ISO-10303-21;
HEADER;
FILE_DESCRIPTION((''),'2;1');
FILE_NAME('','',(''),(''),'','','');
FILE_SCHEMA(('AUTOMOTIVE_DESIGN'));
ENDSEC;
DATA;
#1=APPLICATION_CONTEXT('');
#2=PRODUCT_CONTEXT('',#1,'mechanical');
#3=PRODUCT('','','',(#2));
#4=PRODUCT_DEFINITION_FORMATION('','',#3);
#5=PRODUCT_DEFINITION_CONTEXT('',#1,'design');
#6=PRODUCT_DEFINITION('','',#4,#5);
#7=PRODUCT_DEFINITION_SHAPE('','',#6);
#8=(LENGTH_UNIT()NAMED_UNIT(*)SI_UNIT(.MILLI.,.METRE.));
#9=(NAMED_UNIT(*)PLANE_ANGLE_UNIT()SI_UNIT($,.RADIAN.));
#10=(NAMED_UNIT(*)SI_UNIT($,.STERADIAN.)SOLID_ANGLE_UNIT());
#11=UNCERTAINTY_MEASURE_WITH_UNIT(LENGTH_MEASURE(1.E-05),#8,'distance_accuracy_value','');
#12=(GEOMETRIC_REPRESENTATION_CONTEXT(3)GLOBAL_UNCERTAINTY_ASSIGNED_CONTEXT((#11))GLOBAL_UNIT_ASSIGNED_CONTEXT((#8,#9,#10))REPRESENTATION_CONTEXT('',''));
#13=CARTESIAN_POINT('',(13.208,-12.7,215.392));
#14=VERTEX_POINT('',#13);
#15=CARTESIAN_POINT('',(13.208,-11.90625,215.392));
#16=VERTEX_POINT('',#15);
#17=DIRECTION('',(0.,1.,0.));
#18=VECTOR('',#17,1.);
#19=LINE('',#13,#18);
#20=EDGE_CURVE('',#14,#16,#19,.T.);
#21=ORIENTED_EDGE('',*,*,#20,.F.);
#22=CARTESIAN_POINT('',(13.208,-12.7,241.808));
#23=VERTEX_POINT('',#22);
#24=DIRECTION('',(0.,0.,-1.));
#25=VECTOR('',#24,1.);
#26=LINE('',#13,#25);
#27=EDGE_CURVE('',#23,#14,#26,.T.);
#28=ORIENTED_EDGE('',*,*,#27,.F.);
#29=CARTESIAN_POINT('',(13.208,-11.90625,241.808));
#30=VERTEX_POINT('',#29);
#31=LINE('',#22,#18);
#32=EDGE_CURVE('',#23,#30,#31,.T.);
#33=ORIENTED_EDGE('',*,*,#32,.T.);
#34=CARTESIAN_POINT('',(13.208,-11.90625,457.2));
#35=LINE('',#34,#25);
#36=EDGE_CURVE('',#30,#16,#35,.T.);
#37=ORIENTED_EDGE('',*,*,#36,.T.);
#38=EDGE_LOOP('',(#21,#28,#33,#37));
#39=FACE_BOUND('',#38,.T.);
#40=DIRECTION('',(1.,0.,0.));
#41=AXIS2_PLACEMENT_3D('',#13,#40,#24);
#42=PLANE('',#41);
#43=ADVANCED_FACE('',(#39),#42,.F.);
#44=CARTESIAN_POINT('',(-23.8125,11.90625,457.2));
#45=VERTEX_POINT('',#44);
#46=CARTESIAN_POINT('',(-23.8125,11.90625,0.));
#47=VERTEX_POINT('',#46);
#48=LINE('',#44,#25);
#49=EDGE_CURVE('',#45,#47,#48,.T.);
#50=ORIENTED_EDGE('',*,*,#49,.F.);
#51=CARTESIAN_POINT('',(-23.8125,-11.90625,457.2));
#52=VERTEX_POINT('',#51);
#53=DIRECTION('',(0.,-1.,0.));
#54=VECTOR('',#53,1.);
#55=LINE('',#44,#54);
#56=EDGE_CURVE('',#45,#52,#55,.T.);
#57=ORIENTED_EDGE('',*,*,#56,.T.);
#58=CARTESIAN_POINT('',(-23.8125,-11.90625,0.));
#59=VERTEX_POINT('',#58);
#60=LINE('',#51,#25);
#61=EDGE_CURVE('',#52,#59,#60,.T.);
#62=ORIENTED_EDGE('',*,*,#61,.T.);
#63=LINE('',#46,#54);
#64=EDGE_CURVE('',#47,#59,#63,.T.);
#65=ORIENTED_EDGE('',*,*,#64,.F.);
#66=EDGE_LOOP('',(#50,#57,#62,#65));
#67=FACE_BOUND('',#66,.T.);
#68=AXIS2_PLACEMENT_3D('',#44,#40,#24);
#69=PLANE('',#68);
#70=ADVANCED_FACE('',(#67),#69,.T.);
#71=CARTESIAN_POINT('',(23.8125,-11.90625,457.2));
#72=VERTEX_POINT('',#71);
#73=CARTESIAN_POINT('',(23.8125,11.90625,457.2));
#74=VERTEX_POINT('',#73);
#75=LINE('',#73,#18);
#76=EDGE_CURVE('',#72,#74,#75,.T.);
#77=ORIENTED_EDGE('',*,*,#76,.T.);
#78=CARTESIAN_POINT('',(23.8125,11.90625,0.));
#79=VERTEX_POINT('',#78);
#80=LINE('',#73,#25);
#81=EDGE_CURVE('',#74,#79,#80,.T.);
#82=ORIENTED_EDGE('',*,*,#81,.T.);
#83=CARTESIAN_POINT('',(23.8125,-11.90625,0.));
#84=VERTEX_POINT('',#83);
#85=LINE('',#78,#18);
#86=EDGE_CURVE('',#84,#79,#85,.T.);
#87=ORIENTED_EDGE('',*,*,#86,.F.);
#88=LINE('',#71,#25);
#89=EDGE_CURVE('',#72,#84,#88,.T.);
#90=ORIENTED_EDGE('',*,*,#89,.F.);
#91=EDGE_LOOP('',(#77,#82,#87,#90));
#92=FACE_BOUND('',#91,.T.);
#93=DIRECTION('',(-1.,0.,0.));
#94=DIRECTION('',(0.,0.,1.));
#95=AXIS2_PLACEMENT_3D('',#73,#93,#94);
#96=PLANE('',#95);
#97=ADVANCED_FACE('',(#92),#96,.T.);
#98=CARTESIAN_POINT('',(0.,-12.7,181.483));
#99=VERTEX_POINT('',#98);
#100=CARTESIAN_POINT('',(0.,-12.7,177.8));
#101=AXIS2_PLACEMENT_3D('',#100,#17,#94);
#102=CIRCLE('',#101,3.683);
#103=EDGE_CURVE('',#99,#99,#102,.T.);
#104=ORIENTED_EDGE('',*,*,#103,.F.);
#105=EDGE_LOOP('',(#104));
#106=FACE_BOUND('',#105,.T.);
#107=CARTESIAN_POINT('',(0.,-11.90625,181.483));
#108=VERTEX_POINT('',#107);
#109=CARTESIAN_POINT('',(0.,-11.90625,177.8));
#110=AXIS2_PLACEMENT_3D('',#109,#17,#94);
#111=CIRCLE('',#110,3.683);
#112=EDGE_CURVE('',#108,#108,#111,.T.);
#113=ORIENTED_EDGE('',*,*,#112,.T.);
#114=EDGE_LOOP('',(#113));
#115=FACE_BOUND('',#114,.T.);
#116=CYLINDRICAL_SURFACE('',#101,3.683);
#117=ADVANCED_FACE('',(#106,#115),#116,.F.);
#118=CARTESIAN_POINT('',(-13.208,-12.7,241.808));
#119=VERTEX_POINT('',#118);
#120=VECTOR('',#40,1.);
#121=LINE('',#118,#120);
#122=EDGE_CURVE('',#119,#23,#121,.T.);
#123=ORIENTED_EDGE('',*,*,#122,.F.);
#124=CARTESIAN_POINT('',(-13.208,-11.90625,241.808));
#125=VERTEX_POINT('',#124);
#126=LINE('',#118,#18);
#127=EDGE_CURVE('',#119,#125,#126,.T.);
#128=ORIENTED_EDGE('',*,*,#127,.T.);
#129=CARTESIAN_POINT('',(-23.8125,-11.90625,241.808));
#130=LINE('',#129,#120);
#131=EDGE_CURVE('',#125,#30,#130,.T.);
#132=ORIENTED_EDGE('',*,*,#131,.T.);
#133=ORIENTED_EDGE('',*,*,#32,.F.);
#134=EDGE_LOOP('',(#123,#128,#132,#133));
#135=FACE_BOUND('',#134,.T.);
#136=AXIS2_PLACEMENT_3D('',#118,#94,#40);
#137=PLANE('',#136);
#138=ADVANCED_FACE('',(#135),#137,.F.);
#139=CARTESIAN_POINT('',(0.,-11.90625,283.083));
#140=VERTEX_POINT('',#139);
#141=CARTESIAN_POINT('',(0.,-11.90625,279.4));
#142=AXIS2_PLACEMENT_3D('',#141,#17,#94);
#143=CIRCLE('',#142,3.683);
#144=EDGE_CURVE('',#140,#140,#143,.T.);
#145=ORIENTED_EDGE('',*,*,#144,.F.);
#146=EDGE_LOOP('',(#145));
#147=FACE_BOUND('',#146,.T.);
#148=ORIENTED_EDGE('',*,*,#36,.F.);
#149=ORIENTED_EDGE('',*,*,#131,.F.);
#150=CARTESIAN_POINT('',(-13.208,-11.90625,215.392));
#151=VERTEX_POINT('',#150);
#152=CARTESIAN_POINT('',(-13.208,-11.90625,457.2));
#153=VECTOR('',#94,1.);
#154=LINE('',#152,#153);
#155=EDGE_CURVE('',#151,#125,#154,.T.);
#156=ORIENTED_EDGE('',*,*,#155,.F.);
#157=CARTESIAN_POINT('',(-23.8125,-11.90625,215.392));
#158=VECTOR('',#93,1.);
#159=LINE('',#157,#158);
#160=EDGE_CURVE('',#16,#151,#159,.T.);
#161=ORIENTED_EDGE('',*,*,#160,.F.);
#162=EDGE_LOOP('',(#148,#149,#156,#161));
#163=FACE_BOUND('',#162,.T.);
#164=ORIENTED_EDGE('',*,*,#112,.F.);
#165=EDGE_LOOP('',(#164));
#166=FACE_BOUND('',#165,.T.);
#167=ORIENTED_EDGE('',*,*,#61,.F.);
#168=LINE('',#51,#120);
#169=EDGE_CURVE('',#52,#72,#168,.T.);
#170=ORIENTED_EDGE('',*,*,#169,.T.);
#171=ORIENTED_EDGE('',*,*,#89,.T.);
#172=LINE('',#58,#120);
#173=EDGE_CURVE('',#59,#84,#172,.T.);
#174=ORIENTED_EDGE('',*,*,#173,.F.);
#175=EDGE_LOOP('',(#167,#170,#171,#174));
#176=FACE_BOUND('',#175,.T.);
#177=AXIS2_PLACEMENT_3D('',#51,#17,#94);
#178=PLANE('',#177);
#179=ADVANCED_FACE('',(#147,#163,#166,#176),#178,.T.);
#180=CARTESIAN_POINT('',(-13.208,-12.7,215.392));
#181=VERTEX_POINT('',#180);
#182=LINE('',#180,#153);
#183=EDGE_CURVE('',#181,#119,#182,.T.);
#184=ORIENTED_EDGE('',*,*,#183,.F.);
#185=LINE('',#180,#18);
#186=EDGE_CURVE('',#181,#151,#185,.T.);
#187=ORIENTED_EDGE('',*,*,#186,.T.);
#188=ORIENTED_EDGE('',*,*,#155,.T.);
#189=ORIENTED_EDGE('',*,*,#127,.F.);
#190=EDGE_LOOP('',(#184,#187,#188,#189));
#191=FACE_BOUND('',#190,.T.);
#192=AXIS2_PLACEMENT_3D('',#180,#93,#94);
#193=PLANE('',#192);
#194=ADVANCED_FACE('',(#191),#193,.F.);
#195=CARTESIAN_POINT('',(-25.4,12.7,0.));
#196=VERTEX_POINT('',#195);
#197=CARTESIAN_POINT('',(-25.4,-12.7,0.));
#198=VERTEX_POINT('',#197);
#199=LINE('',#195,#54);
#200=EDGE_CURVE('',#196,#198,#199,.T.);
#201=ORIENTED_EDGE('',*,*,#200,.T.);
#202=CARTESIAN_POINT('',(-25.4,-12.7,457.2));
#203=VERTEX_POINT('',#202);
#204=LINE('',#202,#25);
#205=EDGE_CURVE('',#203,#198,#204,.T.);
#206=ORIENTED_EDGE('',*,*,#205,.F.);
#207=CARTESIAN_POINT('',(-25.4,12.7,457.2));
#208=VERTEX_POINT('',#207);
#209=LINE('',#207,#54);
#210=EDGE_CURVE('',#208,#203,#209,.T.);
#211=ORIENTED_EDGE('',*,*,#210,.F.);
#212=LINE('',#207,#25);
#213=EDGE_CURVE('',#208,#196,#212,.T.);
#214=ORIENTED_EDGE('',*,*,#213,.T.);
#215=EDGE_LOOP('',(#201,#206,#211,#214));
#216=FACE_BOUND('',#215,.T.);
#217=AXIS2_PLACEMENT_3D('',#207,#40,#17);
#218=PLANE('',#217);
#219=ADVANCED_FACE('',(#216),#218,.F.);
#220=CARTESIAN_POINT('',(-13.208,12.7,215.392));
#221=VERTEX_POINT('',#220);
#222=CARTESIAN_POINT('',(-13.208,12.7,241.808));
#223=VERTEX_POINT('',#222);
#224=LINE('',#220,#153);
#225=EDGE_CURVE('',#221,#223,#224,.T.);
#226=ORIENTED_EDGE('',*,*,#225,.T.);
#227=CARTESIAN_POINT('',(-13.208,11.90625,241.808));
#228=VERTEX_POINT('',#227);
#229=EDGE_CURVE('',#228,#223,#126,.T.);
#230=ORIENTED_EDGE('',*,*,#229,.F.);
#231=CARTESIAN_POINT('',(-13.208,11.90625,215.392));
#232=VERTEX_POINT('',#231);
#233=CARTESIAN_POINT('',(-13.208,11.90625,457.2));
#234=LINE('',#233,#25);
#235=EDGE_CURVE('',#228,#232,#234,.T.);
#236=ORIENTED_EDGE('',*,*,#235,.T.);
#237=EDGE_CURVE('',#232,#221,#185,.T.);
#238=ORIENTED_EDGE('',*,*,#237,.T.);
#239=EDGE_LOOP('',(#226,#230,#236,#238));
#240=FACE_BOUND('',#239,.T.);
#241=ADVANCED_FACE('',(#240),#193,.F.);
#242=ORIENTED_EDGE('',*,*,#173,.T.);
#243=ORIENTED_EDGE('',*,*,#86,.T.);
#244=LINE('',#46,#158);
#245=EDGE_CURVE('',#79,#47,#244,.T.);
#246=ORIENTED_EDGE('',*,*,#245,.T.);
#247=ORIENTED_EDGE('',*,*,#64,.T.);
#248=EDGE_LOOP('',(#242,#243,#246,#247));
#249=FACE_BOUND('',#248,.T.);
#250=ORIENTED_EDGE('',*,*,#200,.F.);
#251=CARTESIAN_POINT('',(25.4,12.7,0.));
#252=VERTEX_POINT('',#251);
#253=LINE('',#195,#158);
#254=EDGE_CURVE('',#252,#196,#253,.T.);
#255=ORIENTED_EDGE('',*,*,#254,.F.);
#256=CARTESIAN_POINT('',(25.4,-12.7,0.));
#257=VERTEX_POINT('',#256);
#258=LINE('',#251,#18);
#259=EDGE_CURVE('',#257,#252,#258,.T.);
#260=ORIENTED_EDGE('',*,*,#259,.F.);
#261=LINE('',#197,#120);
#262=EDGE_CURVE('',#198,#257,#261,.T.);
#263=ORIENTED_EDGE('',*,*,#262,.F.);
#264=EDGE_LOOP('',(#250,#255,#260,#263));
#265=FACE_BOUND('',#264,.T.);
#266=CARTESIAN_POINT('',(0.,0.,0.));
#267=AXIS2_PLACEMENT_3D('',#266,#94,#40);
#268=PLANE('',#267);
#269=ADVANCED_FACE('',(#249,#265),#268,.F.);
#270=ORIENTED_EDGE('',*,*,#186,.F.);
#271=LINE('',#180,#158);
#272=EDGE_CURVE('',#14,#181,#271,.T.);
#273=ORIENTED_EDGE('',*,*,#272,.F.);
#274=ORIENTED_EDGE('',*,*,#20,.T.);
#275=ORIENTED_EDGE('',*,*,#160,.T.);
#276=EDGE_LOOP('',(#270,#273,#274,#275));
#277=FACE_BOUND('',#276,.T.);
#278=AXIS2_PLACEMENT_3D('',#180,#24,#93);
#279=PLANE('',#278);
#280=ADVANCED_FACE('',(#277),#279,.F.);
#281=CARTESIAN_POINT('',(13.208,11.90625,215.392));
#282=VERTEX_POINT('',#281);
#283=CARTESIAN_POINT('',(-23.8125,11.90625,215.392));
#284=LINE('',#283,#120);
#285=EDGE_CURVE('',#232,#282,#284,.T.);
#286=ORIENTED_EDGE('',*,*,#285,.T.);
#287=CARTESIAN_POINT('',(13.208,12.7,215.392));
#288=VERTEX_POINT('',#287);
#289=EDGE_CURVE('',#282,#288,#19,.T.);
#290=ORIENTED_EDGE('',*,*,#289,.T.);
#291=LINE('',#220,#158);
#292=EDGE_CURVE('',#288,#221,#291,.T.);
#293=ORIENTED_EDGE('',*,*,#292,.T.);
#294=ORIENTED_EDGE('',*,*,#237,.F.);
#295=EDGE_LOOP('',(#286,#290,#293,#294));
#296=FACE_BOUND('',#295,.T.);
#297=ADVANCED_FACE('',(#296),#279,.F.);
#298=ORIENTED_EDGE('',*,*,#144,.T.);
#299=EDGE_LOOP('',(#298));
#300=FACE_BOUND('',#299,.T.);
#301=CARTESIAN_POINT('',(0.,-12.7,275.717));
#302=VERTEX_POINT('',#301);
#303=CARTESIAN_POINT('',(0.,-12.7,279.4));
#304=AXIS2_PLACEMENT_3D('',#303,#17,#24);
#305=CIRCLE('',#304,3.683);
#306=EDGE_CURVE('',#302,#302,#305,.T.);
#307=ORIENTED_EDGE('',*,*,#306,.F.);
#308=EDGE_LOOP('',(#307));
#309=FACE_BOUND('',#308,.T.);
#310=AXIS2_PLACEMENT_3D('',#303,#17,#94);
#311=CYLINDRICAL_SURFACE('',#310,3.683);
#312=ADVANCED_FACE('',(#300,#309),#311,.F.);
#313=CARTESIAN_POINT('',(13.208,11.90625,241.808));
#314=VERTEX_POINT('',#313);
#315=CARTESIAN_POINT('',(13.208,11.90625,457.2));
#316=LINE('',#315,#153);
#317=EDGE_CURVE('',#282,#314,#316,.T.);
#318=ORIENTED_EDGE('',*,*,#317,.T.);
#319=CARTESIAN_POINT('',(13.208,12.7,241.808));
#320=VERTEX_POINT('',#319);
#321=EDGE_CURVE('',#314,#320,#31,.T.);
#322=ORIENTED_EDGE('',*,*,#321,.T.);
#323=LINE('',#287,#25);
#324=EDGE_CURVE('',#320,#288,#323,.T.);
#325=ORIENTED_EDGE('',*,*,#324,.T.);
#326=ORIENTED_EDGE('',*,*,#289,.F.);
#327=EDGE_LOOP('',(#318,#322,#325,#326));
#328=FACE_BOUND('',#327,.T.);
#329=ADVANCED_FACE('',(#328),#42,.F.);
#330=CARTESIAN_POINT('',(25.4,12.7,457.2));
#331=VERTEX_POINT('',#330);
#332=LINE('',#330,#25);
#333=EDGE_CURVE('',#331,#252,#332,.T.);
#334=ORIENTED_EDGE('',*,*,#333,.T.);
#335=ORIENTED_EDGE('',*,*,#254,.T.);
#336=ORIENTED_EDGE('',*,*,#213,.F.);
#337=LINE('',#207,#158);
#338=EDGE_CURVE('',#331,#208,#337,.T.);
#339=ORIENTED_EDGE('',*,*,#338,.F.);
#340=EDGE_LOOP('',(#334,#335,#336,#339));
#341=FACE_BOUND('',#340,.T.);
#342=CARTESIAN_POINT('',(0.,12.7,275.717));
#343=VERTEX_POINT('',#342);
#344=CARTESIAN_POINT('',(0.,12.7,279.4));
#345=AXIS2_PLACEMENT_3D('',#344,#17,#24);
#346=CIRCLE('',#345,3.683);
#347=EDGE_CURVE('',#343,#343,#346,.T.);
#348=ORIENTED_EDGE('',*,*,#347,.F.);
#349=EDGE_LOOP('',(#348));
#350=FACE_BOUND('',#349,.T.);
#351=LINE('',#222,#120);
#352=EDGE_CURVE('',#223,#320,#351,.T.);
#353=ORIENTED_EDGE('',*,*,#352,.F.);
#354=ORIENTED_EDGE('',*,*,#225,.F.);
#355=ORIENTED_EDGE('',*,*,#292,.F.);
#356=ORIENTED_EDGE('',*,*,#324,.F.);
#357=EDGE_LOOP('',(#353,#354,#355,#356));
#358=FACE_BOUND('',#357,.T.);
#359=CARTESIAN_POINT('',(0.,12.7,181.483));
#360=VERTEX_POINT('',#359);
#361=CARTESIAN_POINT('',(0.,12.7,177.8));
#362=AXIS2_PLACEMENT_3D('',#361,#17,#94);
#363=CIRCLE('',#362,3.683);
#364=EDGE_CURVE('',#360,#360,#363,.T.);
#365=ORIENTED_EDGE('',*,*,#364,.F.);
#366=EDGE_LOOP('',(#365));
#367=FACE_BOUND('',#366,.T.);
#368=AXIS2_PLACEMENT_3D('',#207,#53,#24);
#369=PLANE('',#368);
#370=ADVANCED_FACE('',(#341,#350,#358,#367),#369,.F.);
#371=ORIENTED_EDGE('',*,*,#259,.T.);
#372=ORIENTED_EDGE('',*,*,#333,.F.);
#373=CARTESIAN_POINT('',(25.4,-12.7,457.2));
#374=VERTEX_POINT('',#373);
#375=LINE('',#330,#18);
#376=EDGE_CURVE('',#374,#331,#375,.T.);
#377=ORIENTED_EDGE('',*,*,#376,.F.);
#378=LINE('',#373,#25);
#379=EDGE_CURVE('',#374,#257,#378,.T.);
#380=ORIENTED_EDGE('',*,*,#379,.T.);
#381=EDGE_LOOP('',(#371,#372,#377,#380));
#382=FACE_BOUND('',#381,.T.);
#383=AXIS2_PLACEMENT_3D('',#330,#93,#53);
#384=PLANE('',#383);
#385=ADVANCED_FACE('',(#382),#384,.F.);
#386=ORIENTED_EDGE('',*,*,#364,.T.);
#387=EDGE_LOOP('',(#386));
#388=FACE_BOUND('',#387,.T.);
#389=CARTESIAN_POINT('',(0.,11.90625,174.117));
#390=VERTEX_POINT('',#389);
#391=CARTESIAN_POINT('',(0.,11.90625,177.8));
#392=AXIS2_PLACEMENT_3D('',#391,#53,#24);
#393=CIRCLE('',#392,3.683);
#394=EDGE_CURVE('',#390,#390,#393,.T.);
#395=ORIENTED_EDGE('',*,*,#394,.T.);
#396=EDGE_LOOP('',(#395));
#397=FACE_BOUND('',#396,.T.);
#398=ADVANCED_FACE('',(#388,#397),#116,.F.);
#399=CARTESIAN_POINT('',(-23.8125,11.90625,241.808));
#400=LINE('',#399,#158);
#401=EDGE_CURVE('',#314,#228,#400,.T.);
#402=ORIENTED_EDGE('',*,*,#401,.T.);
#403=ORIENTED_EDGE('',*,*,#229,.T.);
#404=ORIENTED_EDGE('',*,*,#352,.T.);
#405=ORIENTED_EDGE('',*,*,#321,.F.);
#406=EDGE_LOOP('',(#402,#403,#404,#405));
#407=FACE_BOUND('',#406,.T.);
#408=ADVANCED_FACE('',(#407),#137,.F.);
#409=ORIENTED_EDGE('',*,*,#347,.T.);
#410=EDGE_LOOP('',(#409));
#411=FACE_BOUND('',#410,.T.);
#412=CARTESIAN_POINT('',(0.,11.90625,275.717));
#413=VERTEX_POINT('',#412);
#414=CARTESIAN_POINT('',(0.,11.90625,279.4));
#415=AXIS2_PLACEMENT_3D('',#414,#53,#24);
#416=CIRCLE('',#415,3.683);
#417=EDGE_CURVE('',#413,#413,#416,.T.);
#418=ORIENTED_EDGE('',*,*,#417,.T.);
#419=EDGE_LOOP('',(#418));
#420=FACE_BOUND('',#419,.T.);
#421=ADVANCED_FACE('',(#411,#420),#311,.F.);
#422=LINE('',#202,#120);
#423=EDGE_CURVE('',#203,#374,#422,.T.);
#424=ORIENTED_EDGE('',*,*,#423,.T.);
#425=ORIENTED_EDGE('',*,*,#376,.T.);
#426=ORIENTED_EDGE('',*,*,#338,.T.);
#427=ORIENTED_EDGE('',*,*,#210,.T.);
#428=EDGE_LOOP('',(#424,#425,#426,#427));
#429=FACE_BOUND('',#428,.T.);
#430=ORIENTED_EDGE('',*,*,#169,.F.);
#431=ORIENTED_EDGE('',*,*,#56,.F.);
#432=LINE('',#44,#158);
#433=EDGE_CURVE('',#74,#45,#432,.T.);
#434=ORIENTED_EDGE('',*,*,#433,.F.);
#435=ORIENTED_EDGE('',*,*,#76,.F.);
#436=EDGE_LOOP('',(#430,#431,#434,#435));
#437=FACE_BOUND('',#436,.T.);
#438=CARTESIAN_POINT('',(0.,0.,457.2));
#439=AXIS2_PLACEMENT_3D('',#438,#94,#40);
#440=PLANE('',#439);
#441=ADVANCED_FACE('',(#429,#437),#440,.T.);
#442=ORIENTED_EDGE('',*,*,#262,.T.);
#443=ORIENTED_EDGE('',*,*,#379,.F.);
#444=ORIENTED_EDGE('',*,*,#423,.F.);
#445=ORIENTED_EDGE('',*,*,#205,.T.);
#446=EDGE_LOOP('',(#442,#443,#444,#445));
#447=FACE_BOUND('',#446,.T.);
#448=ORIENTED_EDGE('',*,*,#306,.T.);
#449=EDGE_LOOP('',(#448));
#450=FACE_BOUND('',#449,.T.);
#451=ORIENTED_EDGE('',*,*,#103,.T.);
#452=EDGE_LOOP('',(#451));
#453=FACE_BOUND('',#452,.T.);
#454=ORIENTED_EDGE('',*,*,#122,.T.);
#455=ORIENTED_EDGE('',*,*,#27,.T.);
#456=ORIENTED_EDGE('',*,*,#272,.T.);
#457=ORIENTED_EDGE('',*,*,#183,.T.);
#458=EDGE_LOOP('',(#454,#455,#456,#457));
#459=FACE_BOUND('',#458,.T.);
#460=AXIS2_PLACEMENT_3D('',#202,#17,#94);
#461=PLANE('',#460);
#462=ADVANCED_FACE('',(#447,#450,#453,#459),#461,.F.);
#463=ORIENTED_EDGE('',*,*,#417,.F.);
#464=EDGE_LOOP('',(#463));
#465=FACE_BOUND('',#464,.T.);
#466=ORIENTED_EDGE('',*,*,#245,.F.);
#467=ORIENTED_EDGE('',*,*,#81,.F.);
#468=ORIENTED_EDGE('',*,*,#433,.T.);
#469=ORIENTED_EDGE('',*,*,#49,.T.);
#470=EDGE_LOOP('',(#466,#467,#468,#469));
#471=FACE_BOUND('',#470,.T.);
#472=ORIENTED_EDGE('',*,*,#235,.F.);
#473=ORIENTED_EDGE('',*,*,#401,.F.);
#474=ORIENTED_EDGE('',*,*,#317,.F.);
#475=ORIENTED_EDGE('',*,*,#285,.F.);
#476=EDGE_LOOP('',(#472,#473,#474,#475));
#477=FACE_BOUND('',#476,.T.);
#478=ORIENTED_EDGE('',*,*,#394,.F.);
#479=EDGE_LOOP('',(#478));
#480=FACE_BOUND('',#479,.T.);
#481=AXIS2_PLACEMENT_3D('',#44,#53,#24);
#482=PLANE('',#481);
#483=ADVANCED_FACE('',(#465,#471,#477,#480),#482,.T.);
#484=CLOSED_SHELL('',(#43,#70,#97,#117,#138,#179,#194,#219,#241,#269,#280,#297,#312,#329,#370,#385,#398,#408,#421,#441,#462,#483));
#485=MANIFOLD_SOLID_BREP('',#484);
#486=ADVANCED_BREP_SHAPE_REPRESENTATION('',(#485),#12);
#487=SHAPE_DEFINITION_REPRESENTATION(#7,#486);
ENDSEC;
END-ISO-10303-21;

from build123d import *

# Parameters (mm, degrees)
SKETCH1_W           = 50.8
SKETCH1_H           = 25.4
SKETCH1_W_2         = 47.625
SKETCH1_H_2         = 23.8125
BOSS_EXTRUDE1_DEPTH = 457.2
SKETCH2_R           = 3.683
SKETCH2_W           = 26.416
SKETCH2_H           = 26.416
CUT_EXTRUDE1_DEPTH  = 26.4


with BuildPart() as part:
    # Sketch1 → Boss-Extrude1 (new body)
    with BuildSketch(Plane.XY):
        Rectangle(SKETCH1_W, SKETCH1_H)
        Rectangle(SKETCH1_W_2, SKETCH1_H_2, mode=Mode.SUBTRACT)
    extrude(amount=BOSS_EXTRUDE1_DEPTH)

    # Sketch2 → Cut-Extrude1 (cut, through all)
    with BuildSketch(Plane(origin=(0, 12.7, 0), x_dir=(1, 0, 0), z_dir=(0, 1, 0))):
        with Locations((0, -177.8)):
            Circle(SKETCH2_R)
        with Locations((0, -279.4)):
            Circle(SKETCH2_R)
        with Locations((0, -228.6)):
            Rectangle(SKETCH2_W, SKETCH2_H)
    extrude(amount=-CUT_EXTRUDE1_DEPTH, mode=Mode.SUBTRACT)


solid = part.part
